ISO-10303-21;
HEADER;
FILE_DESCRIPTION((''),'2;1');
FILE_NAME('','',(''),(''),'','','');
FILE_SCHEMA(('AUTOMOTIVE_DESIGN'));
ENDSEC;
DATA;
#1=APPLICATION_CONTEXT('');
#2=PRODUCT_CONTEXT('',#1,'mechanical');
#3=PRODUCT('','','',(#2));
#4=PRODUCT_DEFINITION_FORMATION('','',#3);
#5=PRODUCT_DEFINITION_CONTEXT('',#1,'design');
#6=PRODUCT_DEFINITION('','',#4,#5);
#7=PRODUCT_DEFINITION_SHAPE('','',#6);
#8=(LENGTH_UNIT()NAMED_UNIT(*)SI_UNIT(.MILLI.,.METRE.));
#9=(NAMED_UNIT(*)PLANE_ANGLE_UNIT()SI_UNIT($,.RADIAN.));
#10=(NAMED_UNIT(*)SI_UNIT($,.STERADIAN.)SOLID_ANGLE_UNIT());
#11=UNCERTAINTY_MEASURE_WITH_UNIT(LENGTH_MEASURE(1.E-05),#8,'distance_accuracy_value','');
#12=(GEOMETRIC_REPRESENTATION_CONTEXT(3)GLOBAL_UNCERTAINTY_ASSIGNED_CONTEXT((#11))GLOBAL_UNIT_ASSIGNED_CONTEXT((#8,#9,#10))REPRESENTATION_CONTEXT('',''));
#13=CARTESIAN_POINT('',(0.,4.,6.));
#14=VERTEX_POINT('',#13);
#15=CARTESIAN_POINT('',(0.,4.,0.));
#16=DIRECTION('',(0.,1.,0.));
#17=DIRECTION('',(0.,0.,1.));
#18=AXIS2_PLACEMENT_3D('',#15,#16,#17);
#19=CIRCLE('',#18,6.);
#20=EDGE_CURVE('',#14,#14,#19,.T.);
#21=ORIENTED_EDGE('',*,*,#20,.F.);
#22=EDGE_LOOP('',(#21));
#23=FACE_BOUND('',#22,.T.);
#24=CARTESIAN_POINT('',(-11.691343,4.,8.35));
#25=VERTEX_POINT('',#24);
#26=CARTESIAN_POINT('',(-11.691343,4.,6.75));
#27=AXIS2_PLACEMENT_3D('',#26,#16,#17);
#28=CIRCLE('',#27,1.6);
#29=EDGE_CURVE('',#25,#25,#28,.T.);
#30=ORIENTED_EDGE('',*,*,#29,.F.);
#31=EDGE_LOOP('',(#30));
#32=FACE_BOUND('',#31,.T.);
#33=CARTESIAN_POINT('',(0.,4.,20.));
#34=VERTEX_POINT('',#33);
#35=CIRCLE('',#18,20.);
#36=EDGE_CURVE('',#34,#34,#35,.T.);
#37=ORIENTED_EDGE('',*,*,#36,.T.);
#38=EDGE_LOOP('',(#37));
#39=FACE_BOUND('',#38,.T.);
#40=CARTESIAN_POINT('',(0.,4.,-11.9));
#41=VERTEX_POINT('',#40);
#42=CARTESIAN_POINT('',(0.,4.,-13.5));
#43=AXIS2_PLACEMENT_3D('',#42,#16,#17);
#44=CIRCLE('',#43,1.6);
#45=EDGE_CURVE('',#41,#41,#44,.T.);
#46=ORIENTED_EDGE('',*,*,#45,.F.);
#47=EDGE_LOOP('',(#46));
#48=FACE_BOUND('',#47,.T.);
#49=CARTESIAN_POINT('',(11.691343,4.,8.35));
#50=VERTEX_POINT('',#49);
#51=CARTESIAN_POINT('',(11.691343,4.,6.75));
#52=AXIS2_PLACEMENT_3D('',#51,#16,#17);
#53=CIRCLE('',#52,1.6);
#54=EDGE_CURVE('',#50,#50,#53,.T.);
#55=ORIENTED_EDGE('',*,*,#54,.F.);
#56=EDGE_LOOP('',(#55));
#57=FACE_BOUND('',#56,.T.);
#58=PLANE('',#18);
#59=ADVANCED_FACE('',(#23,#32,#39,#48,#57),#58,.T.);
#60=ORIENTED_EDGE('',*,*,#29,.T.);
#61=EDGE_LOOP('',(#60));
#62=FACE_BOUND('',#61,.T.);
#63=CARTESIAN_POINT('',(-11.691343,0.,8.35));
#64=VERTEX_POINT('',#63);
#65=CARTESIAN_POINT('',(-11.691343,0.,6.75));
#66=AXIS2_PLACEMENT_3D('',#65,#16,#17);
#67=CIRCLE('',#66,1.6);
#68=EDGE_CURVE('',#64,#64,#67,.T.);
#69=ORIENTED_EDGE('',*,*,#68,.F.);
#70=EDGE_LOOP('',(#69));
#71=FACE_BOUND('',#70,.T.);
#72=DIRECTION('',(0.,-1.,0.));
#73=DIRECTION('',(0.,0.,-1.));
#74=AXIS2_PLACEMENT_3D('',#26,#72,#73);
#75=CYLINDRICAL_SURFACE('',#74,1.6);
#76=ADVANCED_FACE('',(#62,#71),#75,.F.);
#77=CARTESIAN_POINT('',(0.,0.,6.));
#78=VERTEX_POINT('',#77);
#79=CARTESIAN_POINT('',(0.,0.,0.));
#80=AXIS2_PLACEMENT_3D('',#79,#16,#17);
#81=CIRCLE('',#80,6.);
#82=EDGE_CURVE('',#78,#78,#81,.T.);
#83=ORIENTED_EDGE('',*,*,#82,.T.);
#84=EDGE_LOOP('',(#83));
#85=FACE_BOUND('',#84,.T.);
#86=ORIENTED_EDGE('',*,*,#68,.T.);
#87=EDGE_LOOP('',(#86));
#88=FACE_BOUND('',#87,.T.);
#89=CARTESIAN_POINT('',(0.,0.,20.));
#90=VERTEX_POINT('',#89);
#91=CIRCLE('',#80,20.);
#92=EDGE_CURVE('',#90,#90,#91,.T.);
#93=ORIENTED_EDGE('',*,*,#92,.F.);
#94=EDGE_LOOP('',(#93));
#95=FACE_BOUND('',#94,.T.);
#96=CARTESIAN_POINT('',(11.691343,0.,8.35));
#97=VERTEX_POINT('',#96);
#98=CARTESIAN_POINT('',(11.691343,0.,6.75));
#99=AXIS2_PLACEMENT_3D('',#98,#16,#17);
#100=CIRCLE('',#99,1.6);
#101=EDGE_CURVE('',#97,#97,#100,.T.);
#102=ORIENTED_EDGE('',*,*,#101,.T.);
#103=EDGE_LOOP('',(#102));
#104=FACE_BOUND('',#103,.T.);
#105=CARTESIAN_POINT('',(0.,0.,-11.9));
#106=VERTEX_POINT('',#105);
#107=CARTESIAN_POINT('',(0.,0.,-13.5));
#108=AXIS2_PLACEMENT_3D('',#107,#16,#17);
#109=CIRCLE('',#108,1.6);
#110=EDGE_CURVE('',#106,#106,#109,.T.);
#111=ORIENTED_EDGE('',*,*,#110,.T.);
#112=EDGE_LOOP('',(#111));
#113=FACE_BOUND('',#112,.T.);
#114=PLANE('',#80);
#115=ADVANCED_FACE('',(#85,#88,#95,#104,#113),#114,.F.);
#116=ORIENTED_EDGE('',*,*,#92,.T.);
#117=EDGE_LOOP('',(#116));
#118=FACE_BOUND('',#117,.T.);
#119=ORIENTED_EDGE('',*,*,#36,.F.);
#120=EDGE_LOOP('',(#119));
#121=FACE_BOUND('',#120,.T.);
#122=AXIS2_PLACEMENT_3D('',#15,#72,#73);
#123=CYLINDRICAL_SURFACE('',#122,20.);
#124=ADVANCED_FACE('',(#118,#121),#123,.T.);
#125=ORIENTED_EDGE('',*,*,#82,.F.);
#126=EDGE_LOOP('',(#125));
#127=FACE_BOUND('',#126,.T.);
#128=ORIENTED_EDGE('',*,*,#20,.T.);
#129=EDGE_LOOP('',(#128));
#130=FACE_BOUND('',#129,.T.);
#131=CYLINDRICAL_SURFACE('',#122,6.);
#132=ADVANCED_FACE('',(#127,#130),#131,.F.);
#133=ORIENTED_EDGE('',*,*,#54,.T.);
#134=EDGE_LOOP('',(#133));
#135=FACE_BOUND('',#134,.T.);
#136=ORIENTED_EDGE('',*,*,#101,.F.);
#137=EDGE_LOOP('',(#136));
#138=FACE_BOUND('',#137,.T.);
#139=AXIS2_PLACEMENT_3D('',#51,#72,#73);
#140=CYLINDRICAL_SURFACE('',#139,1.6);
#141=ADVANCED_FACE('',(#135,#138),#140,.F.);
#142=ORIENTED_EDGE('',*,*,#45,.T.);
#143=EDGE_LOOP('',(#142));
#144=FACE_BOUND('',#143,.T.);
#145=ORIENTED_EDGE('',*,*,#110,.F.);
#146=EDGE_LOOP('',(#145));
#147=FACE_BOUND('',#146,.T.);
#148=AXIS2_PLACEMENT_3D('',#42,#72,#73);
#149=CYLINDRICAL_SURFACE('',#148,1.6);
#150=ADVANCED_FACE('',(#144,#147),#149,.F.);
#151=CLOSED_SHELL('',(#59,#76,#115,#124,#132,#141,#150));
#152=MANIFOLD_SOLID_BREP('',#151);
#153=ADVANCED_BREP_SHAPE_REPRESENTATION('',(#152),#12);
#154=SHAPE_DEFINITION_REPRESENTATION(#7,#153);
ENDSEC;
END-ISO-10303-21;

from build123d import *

# Parameters (mm, degrees)
SKETCH_1_R      = 20
SKETCH_1_R_2    = 1.6
SKETCH_1_R_3    = 6
EXTRUDE_1_DEPTH = 4


with BuildPart() as part:
    # 草图1 → 凸台-拉伸1 (new body)
    with BuildSketch(Plane(origin=(0, 0, 0), x_dir=(1, 0, 0), z_dir=(0, 1, 0))):
        with Locations(Location((0, 0, 0), (0, 0, 270))):
            Circle(SKETCH_1_R)
        with Locations(Location((0, 13.5, 0), (0, 0, 270))):
            Circle(SKETCH_1_R_2, mode=Mode.SUBTRACT)
        with Locations(Location((11.691342951, -6.75, 0), (0, 0, 270))):
            Circle(SKETCH_1_R_2, mode=Mode.SUBTRACT)
        with Locations(Location((-11.691342951, -6.75, 0), (0, 0, 270))):
            Circle(SKETCH_1_R_2, mode=Mode.SUBTRACT)
        with Locations(Location((0, 0, 0), (0, 0, 270))):
            Circle(SKETCH_1_R_3, mode=Mode.SUBTRACT)
    extrude(amount=EXTRUDE_1_DEPTH)


solid = part.part
